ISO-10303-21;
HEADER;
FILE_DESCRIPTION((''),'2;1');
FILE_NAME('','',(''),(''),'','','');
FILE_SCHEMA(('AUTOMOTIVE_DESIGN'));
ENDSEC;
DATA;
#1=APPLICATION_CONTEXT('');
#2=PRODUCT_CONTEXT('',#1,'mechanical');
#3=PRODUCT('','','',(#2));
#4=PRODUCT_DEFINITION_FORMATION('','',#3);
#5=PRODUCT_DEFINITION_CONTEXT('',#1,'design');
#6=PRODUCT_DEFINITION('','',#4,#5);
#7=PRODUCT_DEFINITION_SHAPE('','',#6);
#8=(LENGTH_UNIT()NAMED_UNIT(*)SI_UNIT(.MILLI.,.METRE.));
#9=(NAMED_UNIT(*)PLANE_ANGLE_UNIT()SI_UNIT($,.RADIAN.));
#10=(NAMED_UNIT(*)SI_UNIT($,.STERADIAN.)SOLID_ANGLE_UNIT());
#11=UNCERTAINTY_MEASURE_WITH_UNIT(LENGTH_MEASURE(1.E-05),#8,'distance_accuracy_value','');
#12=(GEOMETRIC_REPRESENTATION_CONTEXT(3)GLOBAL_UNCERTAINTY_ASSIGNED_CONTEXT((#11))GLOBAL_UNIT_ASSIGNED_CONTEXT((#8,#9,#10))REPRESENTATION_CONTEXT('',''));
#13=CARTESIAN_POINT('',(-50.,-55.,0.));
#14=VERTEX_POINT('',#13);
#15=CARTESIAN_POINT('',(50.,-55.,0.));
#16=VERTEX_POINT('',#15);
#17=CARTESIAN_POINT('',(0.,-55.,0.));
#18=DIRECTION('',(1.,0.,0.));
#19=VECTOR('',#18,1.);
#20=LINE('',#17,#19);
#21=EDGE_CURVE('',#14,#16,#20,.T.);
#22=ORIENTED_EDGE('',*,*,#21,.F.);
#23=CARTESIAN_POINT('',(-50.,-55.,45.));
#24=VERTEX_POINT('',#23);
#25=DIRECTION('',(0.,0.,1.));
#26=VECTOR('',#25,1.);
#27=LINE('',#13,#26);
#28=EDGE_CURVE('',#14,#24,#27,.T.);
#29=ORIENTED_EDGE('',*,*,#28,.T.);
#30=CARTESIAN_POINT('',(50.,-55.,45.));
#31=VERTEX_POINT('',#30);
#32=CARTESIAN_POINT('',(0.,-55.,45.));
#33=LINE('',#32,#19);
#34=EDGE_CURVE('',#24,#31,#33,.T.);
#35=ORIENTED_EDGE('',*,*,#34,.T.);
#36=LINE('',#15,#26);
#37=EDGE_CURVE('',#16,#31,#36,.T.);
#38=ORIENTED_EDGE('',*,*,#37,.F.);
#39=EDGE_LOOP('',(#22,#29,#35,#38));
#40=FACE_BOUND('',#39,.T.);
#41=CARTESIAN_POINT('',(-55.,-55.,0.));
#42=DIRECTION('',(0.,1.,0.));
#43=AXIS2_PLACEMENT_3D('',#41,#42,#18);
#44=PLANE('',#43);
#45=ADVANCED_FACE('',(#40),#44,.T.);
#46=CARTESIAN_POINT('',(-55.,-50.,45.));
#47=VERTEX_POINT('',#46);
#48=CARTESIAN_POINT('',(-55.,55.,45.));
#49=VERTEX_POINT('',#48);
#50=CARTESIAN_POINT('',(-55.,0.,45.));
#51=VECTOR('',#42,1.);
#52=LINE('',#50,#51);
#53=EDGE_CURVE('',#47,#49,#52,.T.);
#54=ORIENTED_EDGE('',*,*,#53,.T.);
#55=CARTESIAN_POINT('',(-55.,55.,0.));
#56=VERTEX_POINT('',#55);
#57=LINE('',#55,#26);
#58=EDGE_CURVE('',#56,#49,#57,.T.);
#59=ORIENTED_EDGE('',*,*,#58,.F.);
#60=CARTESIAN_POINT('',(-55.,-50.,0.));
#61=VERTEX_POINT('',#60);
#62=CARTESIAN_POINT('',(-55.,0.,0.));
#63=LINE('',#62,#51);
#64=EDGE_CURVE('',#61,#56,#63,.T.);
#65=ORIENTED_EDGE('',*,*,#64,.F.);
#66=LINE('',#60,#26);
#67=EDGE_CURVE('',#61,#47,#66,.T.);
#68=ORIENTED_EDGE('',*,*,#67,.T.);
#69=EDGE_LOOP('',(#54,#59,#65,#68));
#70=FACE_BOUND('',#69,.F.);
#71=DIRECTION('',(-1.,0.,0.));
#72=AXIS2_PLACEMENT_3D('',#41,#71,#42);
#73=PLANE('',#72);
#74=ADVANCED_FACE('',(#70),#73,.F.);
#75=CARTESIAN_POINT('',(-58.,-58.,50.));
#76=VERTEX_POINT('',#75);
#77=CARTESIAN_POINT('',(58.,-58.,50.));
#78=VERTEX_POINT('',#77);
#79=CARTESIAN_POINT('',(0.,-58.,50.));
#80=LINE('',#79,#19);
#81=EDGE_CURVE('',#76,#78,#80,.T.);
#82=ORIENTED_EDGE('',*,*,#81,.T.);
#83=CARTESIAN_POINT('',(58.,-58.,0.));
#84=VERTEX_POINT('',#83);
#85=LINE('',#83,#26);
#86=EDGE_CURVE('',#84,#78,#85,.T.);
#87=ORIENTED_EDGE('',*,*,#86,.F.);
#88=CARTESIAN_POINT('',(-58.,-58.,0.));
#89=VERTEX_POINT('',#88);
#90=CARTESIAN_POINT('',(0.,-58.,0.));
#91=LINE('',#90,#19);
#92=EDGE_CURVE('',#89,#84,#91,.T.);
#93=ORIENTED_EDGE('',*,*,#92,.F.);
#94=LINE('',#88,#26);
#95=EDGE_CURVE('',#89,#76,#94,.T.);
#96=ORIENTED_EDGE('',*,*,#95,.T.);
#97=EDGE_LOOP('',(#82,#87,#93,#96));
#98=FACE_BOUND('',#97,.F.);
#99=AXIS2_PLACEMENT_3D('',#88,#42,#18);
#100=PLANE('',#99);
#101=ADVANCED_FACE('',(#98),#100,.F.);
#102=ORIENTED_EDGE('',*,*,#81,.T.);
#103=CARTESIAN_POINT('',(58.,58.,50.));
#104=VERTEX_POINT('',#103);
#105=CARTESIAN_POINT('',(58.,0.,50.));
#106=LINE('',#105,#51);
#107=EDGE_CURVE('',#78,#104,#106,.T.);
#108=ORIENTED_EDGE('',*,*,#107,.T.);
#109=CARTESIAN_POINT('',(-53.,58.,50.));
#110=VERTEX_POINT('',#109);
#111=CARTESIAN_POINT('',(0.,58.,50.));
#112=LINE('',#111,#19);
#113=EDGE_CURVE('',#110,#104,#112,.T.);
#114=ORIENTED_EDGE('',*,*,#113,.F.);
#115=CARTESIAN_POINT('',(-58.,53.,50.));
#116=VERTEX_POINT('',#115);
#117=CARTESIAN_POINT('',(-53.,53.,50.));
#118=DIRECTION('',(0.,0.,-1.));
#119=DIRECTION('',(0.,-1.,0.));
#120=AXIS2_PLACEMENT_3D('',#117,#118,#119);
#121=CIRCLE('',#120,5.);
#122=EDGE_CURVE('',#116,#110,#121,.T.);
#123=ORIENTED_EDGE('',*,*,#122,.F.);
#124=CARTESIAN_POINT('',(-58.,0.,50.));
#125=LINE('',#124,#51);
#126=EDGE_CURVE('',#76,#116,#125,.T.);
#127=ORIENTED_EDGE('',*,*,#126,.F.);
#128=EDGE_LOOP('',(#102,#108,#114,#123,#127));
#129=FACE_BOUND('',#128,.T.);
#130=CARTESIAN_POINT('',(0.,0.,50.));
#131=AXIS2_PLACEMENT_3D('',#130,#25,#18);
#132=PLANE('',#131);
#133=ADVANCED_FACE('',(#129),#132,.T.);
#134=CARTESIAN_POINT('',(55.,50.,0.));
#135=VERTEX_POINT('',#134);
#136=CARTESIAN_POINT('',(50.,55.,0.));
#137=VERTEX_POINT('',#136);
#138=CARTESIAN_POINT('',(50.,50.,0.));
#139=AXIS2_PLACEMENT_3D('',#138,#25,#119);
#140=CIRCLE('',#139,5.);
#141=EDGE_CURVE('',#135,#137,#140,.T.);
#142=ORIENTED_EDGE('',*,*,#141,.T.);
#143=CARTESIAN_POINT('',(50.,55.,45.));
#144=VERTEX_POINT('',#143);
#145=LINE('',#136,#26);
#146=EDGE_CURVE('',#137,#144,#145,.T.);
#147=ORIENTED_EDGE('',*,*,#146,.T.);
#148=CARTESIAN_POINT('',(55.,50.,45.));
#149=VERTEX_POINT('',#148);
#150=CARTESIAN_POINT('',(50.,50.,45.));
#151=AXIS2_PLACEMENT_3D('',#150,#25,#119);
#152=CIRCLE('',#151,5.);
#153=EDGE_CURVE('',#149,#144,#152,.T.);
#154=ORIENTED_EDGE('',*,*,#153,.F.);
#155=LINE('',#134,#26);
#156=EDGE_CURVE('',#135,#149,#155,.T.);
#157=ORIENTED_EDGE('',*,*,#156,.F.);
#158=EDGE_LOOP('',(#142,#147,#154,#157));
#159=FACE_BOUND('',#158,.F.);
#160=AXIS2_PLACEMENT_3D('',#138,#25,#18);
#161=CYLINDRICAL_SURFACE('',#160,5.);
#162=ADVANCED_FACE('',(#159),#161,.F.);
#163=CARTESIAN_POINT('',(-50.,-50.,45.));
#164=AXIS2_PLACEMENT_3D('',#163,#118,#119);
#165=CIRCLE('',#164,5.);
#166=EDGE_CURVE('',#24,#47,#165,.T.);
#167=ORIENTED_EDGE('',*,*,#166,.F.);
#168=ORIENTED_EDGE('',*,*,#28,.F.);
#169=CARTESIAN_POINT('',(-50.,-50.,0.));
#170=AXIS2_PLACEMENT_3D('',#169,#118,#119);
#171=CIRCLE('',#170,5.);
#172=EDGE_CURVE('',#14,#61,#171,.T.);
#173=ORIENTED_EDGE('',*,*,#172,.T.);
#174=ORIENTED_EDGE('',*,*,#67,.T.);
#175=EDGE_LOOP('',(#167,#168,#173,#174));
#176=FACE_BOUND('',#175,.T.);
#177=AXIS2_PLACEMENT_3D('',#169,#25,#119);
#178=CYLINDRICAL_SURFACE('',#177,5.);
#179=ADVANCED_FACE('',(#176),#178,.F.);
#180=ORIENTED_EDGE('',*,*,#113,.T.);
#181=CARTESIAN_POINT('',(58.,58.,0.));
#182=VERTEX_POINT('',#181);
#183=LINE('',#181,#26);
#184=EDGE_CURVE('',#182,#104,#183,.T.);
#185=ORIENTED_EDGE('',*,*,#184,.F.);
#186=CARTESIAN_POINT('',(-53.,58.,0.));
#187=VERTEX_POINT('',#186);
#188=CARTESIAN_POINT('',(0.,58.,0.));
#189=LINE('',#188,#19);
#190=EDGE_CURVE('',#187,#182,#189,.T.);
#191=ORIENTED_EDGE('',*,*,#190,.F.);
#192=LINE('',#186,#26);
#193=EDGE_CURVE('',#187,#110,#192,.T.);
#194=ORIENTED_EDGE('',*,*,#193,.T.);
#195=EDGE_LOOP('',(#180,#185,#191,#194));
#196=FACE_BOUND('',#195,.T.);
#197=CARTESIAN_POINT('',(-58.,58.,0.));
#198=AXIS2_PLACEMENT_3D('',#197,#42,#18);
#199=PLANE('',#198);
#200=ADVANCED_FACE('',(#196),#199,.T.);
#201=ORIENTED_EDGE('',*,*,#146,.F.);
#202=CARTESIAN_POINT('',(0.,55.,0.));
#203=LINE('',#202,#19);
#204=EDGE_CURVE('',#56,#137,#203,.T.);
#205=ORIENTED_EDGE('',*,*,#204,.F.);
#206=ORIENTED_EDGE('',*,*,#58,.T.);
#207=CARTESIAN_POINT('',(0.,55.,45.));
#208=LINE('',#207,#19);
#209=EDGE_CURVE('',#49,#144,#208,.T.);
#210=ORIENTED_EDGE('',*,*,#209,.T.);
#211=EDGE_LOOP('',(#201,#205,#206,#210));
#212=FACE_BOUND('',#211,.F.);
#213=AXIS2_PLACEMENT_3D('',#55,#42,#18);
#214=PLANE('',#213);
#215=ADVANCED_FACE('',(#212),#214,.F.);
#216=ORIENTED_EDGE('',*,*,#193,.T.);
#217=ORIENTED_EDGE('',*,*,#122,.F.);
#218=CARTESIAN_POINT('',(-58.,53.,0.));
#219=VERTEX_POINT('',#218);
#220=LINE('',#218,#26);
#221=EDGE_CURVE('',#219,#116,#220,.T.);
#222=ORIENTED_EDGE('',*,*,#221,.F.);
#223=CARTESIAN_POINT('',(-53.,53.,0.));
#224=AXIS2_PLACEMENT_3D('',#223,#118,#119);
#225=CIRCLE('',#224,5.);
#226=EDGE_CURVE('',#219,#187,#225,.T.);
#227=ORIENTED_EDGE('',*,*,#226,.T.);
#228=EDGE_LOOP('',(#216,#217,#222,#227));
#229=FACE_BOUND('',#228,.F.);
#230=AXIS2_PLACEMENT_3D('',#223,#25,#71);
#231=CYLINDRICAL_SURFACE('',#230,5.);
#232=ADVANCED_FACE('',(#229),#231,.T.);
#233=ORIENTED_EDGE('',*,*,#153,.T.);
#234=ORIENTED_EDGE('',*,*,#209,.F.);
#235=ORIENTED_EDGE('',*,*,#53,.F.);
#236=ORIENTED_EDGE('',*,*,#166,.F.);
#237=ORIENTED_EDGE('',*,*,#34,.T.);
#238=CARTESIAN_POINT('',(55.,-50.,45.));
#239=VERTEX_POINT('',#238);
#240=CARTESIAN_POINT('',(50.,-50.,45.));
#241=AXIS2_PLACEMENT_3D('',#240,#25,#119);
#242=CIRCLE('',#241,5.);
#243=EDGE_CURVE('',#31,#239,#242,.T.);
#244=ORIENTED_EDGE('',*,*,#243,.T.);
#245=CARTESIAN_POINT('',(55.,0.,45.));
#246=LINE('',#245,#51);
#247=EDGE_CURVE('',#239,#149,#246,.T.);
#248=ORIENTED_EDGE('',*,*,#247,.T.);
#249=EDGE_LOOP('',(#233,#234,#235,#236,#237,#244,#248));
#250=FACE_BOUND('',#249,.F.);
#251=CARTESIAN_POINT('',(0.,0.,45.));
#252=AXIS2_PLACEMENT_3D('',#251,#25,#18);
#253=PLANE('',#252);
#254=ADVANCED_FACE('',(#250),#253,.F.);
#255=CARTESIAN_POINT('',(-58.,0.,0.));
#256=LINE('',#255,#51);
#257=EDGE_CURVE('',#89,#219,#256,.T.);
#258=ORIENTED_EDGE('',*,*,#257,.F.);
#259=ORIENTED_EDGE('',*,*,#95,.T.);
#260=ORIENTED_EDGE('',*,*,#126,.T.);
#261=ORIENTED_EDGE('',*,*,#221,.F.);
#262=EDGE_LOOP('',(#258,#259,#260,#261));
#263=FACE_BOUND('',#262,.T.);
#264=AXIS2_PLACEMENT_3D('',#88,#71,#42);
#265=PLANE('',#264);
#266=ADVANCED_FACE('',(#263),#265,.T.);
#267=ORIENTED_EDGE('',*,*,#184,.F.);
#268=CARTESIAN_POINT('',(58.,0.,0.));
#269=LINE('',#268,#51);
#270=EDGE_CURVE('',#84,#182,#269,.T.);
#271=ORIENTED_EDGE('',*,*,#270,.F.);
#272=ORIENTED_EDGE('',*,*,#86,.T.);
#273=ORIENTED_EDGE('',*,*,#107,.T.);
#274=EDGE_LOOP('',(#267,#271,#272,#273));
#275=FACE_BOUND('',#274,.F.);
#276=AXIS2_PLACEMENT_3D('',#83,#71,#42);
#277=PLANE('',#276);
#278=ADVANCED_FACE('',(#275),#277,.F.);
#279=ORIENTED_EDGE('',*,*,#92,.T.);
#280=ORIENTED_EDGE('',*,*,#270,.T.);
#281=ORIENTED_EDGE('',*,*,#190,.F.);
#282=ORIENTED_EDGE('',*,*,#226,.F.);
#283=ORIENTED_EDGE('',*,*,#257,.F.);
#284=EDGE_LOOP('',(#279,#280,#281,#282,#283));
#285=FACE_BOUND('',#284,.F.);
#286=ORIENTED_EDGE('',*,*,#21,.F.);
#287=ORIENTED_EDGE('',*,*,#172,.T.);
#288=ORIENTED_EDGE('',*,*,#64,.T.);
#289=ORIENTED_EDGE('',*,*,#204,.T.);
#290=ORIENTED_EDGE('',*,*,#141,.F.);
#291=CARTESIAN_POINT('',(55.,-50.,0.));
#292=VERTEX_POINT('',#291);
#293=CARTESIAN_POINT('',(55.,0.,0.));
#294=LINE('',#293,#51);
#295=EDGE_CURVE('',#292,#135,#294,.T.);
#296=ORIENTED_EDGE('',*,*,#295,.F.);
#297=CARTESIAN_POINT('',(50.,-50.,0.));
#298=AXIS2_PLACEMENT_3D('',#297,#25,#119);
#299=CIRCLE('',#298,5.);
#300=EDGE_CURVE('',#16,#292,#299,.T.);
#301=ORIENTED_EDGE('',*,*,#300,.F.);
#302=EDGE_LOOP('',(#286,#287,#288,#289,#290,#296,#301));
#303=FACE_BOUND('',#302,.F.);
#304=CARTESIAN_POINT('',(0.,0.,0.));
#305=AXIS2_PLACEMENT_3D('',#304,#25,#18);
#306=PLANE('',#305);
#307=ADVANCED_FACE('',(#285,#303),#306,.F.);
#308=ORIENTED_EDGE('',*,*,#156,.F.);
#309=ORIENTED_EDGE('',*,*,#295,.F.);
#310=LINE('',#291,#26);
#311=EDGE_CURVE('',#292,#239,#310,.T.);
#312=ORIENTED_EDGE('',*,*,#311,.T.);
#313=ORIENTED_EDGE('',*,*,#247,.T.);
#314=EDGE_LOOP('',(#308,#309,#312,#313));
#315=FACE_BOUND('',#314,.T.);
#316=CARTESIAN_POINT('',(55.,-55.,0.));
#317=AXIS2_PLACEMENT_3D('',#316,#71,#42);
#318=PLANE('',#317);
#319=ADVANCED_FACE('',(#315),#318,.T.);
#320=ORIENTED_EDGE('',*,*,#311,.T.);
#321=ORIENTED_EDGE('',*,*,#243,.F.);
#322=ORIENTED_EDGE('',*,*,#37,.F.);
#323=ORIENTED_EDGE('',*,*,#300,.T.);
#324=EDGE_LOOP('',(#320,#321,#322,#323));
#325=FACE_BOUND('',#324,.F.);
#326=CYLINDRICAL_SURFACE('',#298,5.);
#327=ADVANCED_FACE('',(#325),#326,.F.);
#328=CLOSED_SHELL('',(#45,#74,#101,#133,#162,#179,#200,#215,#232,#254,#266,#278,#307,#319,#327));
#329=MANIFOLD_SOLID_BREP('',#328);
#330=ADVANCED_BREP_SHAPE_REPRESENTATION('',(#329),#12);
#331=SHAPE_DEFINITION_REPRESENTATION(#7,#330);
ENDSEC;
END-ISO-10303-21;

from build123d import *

# Parameters (mm, degrees)
F0_W     = 116
F0_H     = 116
F1_DEPTH = 50
F2_W     = 110
F2_H     = 110
F3_DEPTH = 45
F4_R     = 5


with BuildPart() as f1:
    # F0 (on Top) → F1 (new body)
    with BuildSketch(Plane.XY):
        Rectangle(F0_W, F0_H)
    extrude(amount=F1_DEPTH)

    # F2 (on Top) → F3 (cut)
    with BuildSketch(Plane.XY):
        Rectangle(F2_W, F2_H)
    extrude(amount=F3_DEPTH, mode=Mode.SUBTRACT)

    # F4
    f4_edges = [f1.edges().sort_by_distance(p)[0] for p in [
        (-58, 58, 25),
        (55, 55, 22.5),
        (-55, -55, 22.5),
        (55, -55, 22.5),
    ]]
    fillet(f4_edges, radius=F4_R)


solid = f1.part
